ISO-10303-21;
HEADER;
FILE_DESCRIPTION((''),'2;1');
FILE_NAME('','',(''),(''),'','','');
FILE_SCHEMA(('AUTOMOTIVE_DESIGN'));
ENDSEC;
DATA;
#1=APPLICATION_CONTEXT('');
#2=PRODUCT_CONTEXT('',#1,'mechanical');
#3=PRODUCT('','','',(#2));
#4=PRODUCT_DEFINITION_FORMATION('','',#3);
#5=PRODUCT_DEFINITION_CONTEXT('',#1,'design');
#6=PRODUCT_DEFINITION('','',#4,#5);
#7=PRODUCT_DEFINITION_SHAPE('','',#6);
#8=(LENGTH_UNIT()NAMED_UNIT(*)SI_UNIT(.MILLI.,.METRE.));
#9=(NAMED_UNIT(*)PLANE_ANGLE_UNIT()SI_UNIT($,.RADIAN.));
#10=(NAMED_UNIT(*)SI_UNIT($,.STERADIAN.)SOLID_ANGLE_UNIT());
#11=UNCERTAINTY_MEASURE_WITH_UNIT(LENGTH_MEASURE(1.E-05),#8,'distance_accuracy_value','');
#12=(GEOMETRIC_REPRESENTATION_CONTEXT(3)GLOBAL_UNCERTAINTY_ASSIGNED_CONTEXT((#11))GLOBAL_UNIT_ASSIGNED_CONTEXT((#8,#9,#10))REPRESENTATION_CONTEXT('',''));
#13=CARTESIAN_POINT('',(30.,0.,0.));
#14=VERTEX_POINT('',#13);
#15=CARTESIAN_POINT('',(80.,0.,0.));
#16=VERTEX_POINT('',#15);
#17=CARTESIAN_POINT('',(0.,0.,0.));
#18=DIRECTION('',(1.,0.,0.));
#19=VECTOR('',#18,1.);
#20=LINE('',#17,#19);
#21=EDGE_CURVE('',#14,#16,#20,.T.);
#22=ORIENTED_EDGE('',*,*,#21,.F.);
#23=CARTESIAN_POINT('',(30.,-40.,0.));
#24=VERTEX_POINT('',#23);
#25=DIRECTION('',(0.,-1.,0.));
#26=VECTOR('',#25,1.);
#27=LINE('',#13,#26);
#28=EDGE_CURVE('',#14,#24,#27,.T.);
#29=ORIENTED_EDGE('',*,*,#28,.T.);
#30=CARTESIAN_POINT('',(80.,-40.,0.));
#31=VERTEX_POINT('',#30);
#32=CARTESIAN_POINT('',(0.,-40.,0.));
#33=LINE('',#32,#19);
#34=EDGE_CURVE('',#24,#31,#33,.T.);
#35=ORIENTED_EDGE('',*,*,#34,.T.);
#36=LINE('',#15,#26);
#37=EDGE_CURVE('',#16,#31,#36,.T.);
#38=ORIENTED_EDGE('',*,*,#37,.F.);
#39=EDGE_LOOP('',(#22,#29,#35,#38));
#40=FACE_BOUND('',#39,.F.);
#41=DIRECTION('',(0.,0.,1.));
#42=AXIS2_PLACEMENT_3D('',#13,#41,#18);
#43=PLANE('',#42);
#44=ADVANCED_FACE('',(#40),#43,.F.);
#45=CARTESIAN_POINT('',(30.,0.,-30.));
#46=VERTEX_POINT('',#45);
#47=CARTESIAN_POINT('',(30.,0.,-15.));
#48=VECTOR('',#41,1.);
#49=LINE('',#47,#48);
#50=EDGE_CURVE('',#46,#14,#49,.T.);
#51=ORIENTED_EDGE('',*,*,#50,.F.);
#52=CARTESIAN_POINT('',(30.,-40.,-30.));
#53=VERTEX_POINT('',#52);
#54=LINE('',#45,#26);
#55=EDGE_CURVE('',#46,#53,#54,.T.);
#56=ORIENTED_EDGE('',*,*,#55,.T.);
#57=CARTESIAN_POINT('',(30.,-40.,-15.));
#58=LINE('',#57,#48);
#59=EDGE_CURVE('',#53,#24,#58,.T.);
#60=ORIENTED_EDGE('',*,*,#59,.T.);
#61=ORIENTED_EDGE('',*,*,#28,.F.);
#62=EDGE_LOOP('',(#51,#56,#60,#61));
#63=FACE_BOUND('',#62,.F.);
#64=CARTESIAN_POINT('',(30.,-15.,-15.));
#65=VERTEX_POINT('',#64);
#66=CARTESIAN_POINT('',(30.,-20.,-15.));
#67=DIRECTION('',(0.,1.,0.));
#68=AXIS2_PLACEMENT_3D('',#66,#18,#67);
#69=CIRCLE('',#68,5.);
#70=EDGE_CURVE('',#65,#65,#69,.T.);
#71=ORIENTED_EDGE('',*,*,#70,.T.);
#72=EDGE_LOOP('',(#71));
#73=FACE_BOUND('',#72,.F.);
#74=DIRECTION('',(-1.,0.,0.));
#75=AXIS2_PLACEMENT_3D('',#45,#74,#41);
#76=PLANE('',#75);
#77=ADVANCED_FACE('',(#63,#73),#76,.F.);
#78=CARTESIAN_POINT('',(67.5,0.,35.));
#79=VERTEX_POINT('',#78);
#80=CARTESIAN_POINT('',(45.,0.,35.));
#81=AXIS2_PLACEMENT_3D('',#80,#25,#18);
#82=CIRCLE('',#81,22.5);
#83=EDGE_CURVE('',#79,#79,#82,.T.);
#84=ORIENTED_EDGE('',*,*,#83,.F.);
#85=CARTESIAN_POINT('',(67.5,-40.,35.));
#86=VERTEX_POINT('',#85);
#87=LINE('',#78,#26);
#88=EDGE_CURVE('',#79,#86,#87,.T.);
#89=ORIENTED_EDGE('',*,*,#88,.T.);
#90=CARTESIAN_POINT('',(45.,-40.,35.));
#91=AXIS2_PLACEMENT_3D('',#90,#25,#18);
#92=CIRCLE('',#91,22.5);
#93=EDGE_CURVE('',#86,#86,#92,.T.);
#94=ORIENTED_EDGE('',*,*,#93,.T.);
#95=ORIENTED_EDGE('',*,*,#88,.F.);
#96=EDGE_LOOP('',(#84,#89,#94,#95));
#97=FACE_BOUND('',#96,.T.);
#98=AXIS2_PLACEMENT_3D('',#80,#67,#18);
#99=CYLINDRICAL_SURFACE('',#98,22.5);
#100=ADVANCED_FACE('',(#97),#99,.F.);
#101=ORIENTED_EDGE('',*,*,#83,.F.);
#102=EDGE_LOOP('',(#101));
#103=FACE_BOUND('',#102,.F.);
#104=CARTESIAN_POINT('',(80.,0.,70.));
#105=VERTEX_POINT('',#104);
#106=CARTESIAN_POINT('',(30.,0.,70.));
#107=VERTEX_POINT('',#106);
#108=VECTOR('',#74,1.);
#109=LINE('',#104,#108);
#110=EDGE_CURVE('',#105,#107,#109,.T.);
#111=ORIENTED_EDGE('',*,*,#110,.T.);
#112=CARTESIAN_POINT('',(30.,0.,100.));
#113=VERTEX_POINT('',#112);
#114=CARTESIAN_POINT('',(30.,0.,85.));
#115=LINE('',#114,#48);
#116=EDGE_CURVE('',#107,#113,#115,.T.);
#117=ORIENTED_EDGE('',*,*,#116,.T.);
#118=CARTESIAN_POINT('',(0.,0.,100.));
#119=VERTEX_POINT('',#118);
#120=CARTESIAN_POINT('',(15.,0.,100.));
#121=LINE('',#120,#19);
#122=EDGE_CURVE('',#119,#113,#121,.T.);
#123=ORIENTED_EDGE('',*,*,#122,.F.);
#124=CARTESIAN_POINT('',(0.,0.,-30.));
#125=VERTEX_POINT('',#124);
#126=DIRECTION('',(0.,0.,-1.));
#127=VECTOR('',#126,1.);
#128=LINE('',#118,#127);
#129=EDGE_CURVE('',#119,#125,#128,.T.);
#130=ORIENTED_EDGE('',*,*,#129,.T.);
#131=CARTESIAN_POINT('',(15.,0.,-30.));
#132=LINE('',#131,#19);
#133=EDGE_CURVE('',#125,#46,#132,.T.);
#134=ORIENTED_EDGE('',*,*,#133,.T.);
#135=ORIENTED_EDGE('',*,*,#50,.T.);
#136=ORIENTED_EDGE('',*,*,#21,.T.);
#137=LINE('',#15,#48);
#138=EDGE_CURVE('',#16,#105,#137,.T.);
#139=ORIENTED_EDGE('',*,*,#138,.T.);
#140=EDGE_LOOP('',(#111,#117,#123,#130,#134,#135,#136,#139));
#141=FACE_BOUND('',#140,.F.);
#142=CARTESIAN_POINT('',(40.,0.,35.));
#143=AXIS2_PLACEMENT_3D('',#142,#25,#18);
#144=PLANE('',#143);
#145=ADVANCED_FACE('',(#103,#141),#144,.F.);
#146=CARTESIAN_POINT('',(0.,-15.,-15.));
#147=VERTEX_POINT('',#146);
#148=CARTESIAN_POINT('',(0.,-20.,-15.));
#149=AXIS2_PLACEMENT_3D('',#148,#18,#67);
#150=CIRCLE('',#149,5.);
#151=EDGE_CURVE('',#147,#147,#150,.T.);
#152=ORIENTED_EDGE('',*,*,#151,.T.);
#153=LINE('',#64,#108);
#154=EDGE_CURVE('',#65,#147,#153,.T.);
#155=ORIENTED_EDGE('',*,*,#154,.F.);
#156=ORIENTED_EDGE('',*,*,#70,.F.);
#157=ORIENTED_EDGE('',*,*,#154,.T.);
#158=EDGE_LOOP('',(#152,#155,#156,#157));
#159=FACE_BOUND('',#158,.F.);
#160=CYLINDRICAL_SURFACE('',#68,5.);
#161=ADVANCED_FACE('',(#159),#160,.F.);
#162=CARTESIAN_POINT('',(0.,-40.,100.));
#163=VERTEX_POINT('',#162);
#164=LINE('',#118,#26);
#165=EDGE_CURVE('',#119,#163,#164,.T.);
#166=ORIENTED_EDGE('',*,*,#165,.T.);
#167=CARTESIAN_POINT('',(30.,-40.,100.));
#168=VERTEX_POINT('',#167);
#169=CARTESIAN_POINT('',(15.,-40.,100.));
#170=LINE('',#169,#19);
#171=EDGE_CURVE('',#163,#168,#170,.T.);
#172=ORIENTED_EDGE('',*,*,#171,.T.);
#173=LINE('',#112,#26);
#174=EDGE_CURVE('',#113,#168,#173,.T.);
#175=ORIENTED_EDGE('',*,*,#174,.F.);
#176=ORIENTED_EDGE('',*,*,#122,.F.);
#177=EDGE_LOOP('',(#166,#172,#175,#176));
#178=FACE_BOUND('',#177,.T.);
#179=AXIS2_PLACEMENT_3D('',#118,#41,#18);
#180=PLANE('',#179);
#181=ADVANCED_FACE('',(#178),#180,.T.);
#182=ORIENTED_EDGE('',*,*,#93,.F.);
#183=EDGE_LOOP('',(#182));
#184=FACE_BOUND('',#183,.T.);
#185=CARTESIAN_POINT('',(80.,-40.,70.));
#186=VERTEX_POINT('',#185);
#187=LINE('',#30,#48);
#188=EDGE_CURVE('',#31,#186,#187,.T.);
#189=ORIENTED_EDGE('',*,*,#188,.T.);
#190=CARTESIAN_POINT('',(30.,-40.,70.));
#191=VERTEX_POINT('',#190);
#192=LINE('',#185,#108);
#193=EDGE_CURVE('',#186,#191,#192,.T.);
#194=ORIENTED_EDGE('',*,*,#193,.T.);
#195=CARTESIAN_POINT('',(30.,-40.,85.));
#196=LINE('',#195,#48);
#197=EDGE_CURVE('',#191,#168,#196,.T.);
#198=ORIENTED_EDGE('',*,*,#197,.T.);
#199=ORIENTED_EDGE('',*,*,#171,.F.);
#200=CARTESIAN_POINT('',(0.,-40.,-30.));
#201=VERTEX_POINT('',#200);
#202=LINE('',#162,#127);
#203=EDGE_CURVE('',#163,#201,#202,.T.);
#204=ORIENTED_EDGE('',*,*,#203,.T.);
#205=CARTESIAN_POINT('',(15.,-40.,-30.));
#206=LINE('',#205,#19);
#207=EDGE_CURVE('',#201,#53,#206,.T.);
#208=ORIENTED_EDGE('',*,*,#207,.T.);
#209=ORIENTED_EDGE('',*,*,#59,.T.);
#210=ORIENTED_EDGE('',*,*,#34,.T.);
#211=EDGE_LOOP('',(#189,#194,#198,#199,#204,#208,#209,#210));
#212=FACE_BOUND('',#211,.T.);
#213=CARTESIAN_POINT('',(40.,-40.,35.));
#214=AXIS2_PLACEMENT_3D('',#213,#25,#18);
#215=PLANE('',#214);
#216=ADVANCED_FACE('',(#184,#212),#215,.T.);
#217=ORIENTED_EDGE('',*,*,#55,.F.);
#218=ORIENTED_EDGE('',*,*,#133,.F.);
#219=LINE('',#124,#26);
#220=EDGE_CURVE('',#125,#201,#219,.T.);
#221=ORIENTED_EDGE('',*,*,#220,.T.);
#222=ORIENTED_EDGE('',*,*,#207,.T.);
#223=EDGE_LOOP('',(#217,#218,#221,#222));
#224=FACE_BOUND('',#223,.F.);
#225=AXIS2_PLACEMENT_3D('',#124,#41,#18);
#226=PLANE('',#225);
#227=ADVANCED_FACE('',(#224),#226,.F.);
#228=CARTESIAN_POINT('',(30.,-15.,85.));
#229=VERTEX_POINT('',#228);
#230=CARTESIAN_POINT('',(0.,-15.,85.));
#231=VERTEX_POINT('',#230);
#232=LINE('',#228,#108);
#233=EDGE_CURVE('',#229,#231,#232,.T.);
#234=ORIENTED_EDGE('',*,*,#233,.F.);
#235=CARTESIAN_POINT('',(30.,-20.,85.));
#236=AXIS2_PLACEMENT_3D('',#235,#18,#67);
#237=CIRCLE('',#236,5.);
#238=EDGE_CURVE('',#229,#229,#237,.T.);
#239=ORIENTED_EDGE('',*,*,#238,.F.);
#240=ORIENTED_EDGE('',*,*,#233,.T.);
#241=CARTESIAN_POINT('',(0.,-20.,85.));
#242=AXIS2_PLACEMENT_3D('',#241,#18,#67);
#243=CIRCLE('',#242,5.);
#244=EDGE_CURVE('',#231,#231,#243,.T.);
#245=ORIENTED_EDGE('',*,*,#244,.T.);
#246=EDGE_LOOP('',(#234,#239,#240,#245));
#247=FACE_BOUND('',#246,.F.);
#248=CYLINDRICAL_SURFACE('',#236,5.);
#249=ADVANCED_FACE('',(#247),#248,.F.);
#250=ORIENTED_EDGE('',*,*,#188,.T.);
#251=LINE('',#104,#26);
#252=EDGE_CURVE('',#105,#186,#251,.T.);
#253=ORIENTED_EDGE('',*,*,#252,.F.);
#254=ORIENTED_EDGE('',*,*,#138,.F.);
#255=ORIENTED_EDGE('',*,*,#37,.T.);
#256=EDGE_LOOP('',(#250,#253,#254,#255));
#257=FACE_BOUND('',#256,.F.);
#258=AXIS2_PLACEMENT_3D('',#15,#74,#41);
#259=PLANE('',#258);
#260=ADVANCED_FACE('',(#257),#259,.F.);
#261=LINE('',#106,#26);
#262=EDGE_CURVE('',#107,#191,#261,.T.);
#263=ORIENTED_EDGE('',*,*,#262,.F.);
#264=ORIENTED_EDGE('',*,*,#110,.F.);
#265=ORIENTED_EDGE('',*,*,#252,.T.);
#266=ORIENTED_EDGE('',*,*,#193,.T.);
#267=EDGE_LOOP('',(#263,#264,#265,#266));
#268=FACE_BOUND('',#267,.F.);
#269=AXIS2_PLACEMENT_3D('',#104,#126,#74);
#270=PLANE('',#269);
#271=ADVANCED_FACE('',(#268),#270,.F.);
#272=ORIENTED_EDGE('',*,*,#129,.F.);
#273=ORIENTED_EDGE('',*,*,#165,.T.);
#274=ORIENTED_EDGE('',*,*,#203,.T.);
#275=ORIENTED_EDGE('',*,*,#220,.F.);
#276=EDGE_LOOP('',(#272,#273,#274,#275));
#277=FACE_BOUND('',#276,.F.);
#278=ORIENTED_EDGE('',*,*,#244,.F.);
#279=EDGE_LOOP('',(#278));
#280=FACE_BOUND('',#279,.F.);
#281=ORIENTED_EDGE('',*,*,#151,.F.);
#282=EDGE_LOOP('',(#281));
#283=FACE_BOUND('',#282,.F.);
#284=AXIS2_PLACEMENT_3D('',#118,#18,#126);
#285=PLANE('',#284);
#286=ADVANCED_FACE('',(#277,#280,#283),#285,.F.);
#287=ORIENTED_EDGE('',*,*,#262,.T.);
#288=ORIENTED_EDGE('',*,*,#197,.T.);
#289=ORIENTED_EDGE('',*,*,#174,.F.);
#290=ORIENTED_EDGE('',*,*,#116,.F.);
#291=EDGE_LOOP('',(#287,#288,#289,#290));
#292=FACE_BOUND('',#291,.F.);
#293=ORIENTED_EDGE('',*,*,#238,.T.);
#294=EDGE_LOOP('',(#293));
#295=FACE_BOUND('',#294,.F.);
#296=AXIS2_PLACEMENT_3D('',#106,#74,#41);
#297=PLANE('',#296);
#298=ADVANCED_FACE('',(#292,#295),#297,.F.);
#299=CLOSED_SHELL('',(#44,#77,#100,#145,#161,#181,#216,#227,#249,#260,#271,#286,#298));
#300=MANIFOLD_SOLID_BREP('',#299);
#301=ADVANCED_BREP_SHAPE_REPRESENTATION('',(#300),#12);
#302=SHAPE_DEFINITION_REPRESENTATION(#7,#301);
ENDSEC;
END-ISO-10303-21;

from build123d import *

# Parameters (mm, degrees)
F0_R     = 22.5
F0_W     = 30
F0_H     = 30
F1_DEPTH = 40
F2_R     = 5
F3_DEPTH = 30.001


with BuildPart() as f1:
    # F0 (on Front) → F1 (new body)
    with BuildSketch(Plane.XZ):
        Polygon((0, 70), (0, 0), (30, 0), (80, 0), (80, 70), (30, 70), align=None)
        with Locations((45, 35)):
            Circle(F0_R, mode=Mode.SUBTRACT)
        with Locations((15, -15)):
            Rectangle(F0_W, F0_H)
        with Locations((15, 85)):
            Rectangle(F0_W, F0_H)
    extrude(amount=F1_DEPTH)

    # F2 (on face) → F3 (cut, through all)
    with BuildSketch(Plane.YZ.offset(30)):
        with Locations((-20, 85)):
            Circle(F2_R)
        with Locations((-20, -15)):
            Circle(F2_R)
    extrude(amount=-F3_DEPTH, mode=Mode.SUBTRACT)


solid = f1.part
